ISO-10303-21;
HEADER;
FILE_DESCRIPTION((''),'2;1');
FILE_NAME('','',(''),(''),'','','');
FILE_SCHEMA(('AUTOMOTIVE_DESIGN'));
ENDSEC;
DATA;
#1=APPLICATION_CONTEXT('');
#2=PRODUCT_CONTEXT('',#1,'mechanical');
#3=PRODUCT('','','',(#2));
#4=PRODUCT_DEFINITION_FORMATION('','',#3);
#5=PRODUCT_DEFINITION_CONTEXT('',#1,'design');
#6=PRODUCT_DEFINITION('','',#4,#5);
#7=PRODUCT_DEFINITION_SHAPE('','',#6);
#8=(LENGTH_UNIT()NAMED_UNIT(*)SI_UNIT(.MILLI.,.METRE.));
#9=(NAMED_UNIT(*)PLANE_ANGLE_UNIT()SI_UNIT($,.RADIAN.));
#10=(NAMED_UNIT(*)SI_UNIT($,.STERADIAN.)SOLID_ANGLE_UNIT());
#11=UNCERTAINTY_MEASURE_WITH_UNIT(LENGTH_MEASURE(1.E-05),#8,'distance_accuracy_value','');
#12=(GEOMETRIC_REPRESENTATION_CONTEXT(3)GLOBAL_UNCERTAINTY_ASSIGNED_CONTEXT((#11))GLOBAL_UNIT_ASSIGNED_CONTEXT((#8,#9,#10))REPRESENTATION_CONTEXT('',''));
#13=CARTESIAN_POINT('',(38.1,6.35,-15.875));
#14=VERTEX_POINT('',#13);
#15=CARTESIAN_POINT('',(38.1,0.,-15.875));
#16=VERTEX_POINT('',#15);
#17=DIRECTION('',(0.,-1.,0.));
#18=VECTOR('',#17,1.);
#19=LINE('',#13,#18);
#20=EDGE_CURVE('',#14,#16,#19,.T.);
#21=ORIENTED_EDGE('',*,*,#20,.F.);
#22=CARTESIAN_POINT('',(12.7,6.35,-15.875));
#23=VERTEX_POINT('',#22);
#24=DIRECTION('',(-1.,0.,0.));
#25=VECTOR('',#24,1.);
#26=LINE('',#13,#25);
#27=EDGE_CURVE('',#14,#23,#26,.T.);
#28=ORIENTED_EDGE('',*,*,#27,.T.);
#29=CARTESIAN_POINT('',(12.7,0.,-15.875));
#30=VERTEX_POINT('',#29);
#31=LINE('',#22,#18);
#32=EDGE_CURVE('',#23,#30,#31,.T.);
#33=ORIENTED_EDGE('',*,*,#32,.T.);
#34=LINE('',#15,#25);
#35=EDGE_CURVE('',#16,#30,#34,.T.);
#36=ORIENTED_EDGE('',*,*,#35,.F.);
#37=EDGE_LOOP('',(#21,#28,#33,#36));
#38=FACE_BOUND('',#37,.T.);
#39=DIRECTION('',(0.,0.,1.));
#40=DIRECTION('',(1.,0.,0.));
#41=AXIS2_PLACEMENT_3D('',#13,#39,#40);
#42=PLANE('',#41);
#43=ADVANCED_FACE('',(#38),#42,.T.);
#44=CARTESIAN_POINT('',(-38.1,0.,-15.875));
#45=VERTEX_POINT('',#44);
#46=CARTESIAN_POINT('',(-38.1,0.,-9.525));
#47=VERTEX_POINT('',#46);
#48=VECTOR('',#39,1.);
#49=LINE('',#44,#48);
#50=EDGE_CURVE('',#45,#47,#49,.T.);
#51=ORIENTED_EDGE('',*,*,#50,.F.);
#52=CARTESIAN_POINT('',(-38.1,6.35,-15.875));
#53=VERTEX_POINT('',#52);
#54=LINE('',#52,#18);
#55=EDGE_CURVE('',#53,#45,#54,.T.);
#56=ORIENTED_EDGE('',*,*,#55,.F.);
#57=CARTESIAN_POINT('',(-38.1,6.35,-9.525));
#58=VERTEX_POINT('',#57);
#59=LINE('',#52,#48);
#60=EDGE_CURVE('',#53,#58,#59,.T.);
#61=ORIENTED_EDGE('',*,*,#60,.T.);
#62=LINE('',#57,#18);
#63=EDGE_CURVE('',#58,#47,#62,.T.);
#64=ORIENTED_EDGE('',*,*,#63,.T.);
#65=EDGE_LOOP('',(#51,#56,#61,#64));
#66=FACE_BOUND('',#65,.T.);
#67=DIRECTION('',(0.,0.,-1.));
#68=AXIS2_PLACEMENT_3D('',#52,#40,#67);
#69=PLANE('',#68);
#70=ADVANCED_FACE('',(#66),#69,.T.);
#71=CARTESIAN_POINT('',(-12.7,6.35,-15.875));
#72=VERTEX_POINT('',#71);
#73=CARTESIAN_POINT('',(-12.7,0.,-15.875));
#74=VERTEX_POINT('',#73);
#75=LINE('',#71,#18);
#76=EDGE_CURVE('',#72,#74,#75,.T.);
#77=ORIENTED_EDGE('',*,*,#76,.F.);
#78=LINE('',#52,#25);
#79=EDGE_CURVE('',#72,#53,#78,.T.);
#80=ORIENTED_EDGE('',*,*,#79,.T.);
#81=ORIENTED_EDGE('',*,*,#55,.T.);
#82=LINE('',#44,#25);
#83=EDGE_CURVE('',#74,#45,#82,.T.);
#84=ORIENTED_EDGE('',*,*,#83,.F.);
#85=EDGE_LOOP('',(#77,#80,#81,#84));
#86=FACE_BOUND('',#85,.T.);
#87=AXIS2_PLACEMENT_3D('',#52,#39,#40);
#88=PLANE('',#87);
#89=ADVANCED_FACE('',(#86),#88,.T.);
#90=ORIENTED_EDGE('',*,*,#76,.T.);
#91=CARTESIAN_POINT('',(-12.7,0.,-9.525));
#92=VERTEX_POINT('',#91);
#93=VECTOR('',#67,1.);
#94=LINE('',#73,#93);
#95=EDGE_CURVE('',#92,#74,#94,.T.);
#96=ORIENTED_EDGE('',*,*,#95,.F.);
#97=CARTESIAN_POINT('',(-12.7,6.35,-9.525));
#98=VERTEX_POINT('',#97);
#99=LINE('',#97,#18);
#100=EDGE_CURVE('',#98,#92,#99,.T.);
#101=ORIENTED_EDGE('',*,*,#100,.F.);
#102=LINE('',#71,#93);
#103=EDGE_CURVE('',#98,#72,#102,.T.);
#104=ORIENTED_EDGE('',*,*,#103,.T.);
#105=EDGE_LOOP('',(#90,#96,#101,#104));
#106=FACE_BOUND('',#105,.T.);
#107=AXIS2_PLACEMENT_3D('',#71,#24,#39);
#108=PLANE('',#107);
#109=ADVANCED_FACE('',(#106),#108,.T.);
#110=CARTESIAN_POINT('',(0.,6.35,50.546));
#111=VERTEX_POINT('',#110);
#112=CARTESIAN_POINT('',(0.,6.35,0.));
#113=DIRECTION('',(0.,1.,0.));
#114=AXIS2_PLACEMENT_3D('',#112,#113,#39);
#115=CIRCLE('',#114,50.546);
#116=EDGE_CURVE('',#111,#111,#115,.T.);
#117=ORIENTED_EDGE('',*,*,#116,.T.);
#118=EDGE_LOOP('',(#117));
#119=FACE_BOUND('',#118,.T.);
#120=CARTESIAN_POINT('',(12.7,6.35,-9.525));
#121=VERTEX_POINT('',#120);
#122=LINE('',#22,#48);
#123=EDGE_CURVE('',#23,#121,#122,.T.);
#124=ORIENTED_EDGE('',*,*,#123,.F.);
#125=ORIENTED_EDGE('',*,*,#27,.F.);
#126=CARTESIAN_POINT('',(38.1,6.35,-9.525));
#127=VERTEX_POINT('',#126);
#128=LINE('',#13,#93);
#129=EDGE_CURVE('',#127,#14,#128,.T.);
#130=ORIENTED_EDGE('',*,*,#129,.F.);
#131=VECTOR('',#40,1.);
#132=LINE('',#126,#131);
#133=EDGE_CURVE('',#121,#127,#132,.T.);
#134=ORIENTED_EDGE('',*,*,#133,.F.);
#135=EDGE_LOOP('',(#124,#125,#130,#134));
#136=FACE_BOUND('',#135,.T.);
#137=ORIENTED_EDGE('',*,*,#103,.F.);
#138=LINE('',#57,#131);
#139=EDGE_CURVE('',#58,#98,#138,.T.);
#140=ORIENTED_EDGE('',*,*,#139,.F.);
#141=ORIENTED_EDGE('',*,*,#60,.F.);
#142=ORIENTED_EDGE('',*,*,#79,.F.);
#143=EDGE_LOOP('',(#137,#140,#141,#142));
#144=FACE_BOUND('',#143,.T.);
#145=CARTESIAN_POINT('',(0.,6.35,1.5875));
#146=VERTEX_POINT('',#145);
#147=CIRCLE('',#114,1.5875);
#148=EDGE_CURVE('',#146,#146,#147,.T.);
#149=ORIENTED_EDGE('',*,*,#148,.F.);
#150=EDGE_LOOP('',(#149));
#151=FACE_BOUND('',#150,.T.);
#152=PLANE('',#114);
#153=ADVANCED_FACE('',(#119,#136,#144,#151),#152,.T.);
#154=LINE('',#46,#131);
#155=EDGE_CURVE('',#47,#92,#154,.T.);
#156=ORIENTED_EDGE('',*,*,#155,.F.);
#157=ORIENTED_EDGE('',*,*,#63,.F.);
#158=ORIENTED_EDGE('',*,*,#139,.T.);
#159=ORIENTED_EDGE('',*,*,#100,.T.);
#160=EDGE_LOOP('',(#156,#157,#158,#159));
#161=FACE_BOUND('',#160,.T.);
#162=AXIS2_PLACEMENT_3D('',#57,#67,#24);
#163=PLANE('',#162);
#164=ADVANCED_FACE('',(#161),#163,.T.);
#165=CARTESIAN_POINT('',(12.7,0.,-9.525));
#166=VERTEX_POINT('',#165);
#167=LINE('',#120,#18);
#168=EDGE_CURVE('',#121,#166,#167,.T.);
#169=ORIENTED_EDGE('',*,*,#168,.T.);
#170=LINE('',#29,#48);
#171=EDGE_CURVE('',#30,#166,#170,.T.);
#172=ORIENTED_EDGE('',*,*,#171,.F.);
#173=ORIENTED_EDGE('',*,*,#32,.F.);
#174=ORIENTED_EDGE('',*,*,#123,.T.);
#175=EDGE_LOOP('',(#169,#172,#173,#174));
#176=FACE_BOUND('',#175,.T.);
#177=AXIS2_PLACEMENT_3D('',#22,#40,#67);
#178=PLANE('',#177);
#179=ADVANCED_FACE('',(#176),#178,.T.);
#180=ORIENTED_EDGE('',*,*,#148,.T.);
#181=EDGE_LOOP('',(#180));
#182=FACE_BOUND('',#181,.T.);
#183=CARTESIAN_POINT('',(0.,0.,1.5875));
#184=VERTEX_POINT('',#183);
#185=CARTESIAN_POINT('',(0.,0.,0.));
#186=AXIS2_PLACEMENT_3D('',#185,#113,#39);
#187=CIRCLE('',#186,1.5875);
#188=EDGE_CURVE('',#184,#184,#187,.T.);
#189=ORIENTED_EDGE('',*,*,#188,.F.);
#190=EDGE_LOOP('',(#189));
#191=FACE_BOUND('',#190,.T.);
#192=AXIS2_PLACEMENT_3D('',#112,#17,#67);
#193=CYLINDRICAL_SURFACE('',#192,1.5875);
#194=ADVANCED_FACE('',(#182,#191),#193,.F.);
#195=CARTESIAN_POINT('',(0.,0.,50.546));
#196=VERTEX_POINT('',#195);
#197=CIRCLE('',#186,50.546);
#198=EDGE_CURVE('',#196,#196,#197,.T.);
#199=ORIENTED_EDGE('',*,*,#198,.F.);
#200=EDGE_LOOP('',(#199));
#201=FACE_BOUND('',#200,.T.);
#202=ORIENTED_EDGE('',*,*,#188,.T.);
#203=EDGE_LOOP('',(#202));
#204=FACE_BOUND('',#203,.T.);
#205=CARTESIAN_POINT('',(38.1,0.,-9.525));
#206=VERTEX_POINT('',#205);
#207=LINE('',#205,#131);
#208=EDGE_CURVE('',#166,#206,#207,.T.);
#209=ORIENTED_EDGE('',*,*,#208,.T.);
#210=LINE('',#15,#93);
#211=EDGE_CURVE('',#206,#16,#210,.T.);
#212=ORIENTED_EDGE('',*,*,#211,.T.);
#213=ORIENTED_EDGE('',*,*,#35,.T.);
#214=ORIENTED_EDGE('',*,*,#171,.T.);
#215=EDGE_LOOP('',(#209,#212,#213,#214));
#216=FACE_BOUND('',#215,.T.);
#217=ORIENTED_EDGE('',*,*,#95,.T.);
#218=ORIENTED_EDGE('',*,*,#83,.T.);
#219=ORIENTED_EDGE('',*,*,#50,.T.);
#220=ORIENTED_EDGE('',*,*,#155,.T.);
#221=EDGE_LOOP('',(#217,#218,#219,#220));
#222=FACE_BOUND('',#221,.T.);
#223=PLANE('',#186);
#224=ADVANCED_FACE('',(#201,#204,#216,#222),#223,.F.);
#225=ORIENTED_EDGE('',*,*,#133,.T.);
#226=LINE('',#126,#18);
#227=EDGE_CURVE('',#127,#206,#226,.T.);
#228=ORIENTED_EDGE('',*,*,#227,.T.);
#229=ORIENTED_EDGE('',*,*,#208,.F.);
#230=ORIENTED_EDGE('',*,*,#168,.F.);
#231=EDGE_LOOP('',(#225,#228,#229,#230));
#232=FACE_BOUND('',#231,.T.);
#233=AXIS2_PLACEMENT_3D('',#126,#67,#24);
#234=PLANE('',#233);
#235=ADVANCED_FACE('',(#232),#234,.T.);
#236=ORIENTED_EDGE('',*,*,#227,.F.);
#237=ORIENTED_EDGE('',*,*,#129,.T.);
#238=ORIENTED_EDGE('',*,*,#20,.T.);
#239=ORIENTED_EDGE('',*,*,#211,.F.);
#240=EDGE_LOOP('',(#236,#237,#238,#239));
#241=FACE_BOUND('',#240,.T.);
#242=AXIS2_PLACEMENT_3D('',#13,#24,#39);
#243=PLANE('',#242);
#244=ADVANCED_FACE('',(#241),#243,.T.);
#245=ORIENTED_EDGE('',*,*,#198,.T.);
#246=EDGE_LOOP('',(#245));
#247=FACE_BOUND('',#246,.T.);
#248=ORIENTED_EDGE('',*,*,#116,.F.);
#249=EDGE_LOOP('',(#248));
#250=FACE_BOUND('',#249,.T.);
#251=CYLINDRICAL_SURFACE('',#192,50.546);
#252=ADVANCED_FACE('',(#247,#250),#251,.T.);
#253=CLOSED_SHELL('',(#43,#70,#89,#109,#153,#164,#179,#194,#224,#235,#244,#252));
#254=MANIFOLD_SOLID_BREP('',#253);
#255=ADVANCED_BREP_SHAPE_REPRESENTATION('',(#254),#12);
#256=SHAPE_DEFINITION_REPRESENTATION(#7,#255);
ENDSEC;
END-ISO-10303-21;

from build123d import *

# Parameters (mm, degrees)
SKETCH1_R           = 50.546
SKETCH1_R_2         = 1.5875
SKETCH1_W           = 25.4
SKETCH1_H           = 6.35
BOSS_EXTRUDE1_DEPTH = 6.35


with BuildPart() as part:
    # Sketch1 → Boss-Extrude1 (new body)
    with BuildSketch(Plane(origin=(0, 0, 0), x_dir=(1, 0, 0), z_dir=(0, 1, 0))):
        with Locations(Location((0, 0, 0), (0, 0, 270))):
            Circle(SKETCH1_R)
        with Locations(Location((0, 0, 0), (0, 0, 270))):
            Circle(SKETCH1_R_2, mode=Mode.SUBTRACT)
        with Locations((-25.4, 12.7)):
            Rectangle(SKETCH1_W, SKETCH1_H, mode=Mode.SUBTRACT)
        with Locations((25.4, 12.7)):
            Rectangle(SKETCH1_W, SKETCH1_H, mode=Mode.SUBTRACT)
    extrude(amount=BOSS_EXTRUDE1_DEPTH)


solid = part.part
